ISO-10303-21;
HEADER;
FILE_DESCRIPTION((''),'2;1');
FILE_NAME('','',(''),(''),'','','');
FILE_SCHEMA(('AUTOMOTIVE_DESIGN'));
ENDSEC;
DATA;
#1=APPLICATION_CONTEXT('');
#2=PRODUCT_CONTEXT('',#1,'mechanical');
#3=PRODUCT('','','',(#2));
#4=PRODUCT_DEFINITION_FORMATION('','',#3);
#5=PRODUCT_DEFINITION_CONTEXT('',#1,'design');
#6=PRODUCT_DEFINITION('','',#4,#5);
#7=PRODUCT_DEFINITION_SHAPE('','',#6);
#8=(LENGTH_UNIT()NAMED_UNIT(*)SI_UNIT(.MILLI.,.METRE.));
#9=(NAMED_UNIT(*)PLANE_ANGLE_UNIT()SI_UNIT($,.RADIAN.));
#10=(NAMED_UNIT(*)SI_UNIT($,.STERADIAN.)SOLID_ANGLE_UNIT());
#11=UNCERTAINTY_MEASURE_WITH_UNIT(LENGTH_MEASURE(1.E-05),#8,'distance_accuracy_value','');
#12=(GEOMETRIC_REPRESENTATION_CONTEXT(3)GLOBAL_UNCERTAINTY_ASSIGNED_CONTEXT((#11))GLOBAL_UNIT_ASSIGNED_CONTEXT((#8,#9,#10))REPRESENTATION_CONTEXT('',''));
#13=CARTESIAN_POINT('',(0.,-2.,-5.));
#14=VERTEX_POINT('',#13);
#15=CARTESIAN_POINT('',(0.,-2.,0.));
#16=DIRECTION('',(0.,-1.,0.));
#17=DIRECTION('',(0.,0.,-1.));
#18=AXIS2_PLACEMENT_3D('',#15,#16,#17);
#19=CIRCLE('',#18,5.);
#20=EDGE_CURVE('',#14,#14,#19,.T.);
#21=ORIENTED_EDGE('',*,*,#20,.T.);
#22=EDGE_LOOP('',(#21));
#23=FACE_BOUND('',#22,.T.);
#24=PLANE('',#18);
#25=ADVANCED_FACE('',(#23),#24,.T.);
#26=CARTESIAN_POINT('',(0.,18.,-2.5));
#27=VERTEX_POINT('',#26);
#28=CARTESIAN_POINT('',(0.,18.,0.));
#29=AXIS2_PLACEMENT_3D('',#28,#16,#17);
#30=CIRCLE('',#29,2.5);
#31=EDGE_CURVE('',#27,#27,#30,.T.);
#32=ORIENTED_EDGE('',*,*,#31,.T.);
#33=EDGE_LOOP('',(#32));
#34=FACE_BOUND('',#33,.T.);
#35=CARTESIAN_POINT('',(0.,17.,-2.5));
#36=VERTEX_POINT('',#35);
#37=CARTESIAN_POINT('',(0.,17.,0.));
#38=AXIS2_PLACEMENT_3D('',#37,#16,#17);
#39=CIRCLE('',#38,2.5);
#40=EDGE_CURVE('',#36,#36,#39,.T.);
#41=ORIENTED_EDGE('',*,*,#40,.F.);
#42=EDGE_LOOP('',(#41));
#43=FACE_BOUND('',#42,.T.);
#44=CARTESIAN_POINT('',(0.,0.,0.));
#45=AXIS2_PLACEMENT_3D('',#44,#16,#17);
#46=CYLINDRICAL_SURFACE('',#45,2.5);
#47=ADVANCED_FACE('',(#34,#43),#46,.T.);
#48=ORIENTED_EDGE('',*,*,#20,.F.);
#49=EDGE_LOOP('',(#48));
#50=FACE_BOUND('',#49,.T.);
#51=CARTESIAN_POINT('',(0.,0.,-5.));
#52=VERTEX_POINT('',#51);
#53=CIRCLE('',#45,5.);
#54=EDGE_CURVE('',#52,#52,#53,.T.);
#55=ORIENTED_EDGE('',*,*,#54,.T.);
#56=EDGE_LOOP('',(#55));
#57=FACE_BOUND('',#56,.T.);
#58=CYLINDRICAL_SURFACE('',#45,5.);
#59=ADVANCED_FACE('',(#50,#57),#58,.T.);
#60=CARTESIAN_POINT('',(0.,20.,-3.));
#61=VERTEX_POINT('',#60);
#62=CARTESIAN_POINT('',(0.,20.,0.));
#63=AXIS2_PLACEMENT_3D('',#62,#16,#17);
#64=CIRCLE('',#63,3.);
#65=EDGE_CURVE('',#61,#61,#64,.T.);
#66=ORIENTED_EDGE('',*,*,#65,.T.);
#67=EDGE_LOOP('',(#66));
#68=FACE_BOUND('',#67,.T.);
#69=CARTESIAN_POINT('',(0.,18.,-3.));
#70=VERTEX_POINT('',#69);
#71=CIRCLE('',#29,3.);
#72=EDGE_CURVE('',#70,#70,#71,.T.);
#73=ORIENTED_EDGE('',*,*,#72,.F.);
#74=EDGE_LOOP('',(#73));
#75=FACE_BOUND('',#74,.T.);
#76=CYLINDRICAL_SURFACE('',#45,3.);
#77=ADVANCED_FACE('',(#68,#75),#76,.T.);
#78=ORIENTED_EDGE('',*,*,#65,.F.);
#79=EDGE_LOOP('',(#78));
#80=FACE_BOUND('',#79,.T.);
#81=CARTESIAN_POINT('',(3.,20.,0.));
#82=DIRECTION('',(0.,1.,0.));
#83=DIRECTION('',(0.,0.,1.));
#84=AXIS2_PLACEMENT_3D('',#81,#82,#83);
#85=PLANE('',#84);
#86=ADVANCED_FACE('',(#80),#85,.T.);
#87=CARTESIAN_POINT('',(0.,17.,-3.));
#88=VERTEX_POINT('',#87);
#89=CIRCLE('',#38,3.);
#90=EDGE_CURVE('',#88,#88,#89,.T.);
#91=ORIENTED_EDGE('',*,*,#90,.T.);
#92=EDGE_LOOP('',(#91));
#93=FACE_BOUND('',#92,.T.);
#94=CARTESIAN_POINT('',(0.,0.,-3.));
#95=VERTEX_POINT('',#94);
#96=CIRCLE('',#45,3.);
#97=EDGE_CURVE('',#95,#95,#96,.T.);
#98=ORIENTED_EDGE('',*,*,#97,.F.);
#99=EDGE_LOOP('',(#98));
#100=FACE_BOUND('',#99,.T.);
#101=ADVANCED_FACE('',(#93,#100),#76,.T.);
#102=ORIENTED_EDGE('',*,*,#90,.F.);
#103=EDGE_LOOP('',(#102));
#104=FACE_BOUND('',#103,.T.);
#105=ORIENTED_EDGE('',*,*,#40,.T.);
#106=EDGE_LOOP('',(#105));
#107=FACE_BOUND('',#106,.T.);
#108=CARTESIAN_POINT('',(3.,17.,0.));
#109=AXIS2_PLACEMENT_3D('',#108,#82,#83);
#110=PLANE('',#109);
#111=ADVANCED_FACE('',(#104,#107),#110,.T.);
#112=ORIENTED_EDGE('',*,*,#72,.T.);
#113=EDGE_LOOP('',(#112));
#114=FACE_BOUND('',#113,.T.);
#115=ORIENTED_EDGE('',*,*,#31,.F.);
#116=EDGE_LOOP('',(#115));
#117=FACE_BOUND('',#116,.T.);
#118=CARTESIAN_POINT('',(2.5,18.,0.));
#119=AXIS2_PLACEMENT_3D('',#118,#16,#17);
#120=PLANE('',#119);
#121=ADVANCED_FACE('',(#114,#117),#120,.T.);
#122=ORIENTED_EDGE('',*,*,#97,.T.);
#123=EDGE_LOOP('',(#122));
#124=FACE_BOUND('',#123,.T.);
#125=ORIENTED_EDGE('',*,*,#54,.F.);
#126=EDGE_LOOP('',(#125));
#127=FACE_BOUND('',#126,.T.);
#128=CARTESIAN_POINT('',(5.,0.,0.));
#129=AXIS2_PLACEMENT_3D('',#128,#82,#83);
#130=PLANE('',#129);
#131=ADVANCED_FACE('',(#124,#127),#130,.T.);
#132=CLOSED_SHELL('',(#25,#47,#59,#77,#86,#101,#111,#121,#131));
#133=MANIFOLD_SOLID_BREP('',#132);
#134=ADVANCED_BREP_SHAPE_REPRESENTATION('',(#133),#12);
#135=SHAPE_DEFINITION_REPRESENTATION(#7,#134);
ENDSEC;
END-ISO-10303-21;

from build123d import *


with BuildPart() as part:
    # 草图1 → 旋转1 (revolve)
    with BuildSketch(Plane.XY, mode=Mode.PRIVATE) as revolve_1_sk:
        Polygon((3, 0), (3, 17), (2.5, 17), (2.5, 18), (3, 18), (3, 20), (0, 20), (0, -2), (5, -2), (5, 0), align=None)
    revolve(revolve_1_sk.sketch.rotate(Axis((0, 0, 0), (0, 1, 0)), 90), axis=Axis((0, 0, 0), (0, 1, 0)))


solid = part.part
